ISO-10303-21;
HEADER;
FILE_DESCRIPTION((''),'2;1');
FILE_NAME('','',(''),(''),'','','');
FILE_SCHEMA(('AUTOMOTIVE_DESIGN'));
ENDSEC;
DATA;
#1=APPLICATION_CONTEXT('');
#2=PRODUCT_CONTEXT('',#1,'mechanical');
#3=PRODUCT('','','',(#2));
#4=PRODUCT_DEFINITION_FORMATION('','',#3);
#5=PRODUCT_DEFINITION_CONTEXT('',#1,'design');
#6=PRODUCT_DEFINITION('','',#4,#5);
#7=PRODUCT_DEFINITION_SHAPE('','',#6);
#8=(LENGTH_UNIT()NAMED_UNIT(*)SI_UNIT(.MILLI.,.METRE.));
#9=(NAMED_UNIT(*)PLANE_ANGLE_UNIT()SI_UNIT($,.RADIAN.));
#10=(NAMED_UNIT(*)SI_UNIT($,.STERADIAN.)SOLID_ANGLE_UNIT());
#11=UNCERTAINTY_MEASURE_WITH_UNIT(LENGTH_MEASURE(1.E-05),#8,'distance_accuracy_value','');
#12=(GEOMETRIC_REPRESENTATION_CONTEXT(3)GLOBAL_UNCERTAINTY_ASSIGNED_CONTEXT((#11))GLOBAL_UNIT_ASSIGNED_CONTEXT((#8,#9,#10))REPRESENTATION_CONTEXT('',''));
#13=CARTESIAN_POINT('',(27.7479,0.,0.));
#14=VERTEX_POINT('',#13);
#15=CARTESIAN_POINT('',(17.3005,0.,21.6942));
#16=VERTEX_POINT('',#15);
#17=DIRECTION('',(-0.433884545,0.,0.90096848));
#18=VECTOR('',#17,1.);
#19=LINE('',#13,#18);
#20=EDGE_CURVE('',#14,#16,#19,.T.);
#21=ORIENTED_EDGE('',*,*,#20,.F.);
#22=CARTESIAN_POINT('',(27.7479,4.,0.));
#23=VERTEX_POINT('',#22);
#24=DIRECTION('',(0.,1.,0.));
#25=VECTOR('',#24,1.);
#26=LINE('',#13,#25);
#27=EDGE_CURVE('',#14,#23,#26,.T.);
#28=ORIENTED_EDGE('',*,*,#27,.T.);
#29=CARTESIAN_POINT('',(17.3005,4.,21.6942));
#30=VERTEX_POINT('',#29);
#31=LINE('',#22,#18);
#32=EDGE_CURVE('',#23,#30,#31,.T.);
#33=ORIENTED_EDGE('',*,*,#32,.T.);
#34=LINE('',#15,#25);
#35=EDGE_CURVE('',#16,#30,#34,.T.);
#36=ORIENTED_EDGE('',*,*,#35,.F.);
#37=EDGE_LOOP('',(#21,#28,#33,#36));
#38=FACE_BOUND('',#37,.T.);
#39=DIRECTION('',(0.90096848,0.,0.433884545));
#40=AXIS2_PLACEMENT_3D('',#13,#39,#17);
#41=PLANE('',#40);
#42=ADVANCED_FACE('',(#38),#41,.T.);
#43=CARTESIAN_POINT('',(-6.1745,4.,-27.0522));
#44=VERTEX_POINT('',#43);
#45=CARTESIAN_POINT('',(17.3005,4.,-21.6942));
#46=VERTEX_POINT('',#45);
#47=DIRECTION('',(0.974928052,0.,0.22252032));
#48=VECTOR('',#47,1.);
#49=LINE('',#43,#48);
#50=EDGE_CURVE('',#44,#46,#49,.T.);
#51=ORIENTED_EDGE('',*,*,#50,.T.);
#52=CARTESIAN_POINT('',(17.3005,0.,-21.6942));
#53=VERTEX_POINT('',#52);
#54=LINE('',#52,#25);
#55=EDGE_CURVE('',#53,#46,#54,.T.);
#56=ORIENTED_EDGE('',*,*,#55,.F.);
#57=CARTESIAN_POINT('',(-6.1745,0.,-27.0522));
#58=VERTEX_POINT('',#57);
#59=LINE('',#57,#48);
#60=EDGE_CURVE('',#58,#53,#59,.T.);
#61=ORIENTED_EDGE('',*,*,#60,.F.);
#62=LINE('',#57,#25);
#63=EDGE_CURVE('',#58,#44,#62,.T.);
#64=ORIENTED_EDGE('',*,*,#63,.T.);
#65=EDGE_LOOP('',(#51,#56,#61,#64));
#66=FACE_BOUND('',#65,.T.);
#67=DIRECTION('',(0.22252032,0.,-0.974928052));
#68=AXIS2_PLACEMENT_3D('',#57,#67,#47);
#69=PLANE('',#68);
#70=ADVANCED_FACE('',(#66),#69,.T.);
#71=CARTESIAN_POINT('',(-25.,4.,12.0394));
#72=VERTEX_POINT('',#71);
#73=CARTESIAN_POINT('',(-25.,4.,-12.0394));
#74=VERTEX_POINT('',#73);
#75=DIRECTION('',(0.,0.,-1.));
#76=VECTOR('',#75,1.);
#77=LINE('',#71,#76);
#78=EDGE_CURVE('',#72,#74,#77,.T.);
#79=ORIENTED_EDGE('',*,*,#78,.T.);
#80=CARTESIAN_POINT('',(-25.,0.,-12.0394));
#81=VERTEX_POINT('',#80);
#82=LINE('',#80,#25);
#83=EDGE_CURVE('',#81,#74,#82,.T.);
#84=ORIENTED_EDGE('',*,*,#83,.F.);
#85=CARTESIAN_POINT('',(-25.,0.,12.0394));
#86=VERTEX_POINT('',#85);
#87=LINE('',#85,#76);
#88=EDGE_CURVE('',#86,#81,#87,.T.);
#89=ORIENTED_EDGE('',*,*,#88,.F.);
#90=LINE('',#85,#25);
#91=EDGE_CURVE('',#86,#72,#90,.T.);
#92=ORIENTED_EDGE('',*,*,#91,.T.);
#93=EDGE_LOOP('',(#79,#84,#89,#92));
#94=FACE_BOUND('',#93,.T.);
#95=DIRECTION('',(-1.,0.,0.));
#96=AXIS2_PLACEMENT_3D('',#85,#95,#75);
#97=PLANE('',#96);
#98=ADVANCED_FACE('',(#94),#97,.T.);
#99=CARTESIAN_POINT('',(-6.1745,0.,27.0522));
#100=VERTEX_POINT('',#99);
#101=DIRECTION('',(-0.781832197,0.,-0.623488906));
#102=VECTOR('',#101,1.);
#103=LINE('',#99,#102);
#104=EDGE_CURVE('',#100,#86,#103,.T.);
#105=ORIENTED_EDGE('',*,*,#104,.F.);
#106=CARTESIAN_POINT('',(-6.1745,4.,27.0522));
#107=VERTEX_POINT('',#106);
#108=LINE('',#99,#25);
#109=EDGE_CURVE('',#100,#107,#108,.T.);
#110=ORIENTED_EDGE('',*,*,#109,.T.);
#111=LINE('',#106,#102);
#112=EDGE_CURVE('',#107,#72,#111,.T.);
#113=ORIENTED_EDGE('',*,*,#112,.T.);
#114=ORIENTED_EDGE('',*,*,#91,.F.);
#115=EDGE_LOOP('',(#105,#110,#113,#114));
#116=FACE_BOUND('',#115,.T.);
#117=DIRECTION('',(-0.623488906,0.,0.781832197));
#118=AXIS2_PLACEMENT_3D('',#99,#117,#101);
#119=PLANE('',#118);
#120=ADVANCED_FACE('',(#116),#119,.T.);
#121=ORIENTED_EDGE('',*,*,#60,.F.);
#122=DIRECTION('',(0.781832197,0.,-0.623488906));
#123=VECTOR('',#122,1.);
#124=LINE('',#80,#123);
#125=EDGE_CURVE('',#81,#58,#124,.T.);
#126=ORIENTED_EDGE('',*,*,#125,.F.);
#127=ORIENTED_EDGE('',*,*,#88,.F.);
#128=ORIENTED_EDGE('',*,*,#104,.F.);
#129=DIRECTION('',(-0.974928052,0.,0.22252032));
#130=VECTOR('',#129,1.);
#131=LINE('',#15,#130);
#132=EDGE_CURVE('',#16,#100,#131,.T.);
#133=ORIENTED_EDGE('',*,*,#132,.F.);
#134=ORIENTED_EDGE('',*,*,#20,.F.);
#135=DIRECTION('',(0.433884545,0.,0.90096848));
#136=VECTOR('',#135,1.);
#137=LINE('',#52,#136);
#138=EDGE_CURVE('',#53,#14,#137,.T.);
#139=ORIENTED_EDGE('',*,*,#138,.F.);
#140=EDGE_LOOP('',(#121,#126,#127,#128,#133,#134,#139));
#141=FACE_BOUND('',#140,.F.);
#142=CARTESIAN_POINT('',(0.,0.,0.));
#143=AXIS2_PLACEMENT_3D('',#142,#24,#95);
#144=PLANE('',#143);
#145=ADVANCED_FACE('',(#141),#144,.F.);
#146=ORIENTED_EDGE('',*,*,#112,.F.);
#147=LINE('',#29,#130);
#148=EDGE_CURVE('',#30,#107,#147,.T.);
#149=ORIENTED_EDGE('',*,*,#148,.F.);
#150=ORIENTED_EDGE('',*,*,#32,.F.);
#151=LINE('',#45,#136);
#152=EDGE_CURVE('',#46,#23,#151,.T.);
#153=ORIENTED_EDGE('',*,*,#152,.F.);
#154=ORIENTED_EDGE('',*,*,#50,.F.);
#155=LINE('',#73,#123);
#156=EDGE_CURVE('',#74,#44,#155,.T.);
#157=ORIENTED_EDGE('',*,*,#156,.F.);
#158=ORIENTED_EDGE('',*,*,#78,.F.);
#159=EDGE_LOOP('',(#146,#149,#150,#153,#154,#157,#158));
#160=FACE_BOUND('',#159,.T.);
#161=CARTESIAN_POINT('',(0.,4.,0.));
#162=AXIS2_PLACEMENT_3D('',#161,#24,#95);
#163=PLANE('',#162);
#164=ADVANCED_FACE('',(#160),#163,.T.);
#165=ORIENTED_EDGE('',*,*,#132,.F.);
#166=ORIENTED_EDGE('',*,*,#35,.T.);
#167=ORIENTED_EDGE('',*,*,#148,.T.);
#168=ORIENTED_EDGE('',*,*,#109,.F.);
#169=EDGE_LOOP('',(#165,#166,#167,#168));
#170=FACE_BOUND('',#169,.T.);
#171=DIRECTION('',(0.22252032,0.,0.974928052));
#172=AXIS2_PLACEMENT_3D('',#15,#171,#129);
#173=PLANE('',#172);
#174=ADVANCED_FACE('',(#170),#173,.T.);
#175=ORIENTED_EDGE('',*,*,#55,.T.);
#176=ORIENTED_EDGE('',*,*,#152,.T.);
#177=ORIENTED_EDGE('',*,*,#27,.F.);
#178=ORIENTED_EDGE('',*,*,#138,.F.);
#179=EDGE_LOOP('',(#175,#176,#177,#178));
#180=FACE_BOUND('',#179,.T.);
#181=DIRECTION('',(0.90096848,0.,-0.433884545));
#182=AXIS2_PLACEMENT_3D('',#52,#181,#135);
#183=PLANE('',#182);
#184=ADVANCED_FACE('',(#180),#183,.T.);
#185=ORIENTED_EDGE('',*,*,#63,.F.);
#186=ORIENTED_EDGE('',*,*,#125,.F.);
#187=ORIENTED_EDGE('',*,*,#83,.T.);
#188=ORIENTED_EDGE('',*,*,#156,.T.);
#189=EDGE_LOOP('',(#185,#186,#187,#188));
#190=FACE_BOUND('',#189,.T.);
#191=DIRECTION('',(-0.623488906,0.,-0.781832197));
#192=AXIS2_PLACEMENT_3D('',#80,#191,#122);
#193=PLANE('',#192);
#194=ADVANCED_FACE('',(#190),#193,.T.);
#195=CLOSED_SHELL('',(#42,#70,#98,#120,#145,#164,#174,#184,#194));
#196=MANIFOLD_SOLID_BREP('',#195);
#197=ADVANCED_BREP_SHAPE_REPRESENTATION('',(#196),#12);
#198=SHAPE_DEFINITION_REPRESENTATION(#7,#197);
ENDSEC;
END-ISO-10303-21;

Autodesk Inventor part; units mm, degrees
ref_plane "YZ Plane" through (0, 0, 0) normal (1, 0, 0) x (0, 1, 0)
ref_plane "XZ Plane" through (0, 0, 0) normal (0, 1, 0) x (-1, 0, 0)
ref_plane "XY Plane" through (0, 0, 0) normal (0, 0, 1) x (1, 0, 0)
sketch "Sketch1" plane through (0, 0, 0) normal (0, 1, 0) x (-1, 0, 0)
  circle A0 centre (0, 0) radius 25 construction
  line L0 (25, -12.0394) -> (6.1745, -27.0522)
  line L1 (6.1745, -27.0522) -> (-17.3005, -21.6942)
  line L2 (-17.3005, -21.6942) -> (-27.7479, 0)
  line L3 (-27.7479, 0) -> (-17.3005, 21.6942)
  line L4 (-17.3005, 21.6942) -> (6.1745, 27.0522)
  line L5 (6.1745, 27.0522) -> (25, 12.0394)
  line L6 (25, 12.0394) -> (25, -12.0394)
  point P0 (25, 0)
  dimension "d0" = 50
extrude "Extrusion1" add sketch "Sketch1" along normal blind 4
properties part number "objeto6"
